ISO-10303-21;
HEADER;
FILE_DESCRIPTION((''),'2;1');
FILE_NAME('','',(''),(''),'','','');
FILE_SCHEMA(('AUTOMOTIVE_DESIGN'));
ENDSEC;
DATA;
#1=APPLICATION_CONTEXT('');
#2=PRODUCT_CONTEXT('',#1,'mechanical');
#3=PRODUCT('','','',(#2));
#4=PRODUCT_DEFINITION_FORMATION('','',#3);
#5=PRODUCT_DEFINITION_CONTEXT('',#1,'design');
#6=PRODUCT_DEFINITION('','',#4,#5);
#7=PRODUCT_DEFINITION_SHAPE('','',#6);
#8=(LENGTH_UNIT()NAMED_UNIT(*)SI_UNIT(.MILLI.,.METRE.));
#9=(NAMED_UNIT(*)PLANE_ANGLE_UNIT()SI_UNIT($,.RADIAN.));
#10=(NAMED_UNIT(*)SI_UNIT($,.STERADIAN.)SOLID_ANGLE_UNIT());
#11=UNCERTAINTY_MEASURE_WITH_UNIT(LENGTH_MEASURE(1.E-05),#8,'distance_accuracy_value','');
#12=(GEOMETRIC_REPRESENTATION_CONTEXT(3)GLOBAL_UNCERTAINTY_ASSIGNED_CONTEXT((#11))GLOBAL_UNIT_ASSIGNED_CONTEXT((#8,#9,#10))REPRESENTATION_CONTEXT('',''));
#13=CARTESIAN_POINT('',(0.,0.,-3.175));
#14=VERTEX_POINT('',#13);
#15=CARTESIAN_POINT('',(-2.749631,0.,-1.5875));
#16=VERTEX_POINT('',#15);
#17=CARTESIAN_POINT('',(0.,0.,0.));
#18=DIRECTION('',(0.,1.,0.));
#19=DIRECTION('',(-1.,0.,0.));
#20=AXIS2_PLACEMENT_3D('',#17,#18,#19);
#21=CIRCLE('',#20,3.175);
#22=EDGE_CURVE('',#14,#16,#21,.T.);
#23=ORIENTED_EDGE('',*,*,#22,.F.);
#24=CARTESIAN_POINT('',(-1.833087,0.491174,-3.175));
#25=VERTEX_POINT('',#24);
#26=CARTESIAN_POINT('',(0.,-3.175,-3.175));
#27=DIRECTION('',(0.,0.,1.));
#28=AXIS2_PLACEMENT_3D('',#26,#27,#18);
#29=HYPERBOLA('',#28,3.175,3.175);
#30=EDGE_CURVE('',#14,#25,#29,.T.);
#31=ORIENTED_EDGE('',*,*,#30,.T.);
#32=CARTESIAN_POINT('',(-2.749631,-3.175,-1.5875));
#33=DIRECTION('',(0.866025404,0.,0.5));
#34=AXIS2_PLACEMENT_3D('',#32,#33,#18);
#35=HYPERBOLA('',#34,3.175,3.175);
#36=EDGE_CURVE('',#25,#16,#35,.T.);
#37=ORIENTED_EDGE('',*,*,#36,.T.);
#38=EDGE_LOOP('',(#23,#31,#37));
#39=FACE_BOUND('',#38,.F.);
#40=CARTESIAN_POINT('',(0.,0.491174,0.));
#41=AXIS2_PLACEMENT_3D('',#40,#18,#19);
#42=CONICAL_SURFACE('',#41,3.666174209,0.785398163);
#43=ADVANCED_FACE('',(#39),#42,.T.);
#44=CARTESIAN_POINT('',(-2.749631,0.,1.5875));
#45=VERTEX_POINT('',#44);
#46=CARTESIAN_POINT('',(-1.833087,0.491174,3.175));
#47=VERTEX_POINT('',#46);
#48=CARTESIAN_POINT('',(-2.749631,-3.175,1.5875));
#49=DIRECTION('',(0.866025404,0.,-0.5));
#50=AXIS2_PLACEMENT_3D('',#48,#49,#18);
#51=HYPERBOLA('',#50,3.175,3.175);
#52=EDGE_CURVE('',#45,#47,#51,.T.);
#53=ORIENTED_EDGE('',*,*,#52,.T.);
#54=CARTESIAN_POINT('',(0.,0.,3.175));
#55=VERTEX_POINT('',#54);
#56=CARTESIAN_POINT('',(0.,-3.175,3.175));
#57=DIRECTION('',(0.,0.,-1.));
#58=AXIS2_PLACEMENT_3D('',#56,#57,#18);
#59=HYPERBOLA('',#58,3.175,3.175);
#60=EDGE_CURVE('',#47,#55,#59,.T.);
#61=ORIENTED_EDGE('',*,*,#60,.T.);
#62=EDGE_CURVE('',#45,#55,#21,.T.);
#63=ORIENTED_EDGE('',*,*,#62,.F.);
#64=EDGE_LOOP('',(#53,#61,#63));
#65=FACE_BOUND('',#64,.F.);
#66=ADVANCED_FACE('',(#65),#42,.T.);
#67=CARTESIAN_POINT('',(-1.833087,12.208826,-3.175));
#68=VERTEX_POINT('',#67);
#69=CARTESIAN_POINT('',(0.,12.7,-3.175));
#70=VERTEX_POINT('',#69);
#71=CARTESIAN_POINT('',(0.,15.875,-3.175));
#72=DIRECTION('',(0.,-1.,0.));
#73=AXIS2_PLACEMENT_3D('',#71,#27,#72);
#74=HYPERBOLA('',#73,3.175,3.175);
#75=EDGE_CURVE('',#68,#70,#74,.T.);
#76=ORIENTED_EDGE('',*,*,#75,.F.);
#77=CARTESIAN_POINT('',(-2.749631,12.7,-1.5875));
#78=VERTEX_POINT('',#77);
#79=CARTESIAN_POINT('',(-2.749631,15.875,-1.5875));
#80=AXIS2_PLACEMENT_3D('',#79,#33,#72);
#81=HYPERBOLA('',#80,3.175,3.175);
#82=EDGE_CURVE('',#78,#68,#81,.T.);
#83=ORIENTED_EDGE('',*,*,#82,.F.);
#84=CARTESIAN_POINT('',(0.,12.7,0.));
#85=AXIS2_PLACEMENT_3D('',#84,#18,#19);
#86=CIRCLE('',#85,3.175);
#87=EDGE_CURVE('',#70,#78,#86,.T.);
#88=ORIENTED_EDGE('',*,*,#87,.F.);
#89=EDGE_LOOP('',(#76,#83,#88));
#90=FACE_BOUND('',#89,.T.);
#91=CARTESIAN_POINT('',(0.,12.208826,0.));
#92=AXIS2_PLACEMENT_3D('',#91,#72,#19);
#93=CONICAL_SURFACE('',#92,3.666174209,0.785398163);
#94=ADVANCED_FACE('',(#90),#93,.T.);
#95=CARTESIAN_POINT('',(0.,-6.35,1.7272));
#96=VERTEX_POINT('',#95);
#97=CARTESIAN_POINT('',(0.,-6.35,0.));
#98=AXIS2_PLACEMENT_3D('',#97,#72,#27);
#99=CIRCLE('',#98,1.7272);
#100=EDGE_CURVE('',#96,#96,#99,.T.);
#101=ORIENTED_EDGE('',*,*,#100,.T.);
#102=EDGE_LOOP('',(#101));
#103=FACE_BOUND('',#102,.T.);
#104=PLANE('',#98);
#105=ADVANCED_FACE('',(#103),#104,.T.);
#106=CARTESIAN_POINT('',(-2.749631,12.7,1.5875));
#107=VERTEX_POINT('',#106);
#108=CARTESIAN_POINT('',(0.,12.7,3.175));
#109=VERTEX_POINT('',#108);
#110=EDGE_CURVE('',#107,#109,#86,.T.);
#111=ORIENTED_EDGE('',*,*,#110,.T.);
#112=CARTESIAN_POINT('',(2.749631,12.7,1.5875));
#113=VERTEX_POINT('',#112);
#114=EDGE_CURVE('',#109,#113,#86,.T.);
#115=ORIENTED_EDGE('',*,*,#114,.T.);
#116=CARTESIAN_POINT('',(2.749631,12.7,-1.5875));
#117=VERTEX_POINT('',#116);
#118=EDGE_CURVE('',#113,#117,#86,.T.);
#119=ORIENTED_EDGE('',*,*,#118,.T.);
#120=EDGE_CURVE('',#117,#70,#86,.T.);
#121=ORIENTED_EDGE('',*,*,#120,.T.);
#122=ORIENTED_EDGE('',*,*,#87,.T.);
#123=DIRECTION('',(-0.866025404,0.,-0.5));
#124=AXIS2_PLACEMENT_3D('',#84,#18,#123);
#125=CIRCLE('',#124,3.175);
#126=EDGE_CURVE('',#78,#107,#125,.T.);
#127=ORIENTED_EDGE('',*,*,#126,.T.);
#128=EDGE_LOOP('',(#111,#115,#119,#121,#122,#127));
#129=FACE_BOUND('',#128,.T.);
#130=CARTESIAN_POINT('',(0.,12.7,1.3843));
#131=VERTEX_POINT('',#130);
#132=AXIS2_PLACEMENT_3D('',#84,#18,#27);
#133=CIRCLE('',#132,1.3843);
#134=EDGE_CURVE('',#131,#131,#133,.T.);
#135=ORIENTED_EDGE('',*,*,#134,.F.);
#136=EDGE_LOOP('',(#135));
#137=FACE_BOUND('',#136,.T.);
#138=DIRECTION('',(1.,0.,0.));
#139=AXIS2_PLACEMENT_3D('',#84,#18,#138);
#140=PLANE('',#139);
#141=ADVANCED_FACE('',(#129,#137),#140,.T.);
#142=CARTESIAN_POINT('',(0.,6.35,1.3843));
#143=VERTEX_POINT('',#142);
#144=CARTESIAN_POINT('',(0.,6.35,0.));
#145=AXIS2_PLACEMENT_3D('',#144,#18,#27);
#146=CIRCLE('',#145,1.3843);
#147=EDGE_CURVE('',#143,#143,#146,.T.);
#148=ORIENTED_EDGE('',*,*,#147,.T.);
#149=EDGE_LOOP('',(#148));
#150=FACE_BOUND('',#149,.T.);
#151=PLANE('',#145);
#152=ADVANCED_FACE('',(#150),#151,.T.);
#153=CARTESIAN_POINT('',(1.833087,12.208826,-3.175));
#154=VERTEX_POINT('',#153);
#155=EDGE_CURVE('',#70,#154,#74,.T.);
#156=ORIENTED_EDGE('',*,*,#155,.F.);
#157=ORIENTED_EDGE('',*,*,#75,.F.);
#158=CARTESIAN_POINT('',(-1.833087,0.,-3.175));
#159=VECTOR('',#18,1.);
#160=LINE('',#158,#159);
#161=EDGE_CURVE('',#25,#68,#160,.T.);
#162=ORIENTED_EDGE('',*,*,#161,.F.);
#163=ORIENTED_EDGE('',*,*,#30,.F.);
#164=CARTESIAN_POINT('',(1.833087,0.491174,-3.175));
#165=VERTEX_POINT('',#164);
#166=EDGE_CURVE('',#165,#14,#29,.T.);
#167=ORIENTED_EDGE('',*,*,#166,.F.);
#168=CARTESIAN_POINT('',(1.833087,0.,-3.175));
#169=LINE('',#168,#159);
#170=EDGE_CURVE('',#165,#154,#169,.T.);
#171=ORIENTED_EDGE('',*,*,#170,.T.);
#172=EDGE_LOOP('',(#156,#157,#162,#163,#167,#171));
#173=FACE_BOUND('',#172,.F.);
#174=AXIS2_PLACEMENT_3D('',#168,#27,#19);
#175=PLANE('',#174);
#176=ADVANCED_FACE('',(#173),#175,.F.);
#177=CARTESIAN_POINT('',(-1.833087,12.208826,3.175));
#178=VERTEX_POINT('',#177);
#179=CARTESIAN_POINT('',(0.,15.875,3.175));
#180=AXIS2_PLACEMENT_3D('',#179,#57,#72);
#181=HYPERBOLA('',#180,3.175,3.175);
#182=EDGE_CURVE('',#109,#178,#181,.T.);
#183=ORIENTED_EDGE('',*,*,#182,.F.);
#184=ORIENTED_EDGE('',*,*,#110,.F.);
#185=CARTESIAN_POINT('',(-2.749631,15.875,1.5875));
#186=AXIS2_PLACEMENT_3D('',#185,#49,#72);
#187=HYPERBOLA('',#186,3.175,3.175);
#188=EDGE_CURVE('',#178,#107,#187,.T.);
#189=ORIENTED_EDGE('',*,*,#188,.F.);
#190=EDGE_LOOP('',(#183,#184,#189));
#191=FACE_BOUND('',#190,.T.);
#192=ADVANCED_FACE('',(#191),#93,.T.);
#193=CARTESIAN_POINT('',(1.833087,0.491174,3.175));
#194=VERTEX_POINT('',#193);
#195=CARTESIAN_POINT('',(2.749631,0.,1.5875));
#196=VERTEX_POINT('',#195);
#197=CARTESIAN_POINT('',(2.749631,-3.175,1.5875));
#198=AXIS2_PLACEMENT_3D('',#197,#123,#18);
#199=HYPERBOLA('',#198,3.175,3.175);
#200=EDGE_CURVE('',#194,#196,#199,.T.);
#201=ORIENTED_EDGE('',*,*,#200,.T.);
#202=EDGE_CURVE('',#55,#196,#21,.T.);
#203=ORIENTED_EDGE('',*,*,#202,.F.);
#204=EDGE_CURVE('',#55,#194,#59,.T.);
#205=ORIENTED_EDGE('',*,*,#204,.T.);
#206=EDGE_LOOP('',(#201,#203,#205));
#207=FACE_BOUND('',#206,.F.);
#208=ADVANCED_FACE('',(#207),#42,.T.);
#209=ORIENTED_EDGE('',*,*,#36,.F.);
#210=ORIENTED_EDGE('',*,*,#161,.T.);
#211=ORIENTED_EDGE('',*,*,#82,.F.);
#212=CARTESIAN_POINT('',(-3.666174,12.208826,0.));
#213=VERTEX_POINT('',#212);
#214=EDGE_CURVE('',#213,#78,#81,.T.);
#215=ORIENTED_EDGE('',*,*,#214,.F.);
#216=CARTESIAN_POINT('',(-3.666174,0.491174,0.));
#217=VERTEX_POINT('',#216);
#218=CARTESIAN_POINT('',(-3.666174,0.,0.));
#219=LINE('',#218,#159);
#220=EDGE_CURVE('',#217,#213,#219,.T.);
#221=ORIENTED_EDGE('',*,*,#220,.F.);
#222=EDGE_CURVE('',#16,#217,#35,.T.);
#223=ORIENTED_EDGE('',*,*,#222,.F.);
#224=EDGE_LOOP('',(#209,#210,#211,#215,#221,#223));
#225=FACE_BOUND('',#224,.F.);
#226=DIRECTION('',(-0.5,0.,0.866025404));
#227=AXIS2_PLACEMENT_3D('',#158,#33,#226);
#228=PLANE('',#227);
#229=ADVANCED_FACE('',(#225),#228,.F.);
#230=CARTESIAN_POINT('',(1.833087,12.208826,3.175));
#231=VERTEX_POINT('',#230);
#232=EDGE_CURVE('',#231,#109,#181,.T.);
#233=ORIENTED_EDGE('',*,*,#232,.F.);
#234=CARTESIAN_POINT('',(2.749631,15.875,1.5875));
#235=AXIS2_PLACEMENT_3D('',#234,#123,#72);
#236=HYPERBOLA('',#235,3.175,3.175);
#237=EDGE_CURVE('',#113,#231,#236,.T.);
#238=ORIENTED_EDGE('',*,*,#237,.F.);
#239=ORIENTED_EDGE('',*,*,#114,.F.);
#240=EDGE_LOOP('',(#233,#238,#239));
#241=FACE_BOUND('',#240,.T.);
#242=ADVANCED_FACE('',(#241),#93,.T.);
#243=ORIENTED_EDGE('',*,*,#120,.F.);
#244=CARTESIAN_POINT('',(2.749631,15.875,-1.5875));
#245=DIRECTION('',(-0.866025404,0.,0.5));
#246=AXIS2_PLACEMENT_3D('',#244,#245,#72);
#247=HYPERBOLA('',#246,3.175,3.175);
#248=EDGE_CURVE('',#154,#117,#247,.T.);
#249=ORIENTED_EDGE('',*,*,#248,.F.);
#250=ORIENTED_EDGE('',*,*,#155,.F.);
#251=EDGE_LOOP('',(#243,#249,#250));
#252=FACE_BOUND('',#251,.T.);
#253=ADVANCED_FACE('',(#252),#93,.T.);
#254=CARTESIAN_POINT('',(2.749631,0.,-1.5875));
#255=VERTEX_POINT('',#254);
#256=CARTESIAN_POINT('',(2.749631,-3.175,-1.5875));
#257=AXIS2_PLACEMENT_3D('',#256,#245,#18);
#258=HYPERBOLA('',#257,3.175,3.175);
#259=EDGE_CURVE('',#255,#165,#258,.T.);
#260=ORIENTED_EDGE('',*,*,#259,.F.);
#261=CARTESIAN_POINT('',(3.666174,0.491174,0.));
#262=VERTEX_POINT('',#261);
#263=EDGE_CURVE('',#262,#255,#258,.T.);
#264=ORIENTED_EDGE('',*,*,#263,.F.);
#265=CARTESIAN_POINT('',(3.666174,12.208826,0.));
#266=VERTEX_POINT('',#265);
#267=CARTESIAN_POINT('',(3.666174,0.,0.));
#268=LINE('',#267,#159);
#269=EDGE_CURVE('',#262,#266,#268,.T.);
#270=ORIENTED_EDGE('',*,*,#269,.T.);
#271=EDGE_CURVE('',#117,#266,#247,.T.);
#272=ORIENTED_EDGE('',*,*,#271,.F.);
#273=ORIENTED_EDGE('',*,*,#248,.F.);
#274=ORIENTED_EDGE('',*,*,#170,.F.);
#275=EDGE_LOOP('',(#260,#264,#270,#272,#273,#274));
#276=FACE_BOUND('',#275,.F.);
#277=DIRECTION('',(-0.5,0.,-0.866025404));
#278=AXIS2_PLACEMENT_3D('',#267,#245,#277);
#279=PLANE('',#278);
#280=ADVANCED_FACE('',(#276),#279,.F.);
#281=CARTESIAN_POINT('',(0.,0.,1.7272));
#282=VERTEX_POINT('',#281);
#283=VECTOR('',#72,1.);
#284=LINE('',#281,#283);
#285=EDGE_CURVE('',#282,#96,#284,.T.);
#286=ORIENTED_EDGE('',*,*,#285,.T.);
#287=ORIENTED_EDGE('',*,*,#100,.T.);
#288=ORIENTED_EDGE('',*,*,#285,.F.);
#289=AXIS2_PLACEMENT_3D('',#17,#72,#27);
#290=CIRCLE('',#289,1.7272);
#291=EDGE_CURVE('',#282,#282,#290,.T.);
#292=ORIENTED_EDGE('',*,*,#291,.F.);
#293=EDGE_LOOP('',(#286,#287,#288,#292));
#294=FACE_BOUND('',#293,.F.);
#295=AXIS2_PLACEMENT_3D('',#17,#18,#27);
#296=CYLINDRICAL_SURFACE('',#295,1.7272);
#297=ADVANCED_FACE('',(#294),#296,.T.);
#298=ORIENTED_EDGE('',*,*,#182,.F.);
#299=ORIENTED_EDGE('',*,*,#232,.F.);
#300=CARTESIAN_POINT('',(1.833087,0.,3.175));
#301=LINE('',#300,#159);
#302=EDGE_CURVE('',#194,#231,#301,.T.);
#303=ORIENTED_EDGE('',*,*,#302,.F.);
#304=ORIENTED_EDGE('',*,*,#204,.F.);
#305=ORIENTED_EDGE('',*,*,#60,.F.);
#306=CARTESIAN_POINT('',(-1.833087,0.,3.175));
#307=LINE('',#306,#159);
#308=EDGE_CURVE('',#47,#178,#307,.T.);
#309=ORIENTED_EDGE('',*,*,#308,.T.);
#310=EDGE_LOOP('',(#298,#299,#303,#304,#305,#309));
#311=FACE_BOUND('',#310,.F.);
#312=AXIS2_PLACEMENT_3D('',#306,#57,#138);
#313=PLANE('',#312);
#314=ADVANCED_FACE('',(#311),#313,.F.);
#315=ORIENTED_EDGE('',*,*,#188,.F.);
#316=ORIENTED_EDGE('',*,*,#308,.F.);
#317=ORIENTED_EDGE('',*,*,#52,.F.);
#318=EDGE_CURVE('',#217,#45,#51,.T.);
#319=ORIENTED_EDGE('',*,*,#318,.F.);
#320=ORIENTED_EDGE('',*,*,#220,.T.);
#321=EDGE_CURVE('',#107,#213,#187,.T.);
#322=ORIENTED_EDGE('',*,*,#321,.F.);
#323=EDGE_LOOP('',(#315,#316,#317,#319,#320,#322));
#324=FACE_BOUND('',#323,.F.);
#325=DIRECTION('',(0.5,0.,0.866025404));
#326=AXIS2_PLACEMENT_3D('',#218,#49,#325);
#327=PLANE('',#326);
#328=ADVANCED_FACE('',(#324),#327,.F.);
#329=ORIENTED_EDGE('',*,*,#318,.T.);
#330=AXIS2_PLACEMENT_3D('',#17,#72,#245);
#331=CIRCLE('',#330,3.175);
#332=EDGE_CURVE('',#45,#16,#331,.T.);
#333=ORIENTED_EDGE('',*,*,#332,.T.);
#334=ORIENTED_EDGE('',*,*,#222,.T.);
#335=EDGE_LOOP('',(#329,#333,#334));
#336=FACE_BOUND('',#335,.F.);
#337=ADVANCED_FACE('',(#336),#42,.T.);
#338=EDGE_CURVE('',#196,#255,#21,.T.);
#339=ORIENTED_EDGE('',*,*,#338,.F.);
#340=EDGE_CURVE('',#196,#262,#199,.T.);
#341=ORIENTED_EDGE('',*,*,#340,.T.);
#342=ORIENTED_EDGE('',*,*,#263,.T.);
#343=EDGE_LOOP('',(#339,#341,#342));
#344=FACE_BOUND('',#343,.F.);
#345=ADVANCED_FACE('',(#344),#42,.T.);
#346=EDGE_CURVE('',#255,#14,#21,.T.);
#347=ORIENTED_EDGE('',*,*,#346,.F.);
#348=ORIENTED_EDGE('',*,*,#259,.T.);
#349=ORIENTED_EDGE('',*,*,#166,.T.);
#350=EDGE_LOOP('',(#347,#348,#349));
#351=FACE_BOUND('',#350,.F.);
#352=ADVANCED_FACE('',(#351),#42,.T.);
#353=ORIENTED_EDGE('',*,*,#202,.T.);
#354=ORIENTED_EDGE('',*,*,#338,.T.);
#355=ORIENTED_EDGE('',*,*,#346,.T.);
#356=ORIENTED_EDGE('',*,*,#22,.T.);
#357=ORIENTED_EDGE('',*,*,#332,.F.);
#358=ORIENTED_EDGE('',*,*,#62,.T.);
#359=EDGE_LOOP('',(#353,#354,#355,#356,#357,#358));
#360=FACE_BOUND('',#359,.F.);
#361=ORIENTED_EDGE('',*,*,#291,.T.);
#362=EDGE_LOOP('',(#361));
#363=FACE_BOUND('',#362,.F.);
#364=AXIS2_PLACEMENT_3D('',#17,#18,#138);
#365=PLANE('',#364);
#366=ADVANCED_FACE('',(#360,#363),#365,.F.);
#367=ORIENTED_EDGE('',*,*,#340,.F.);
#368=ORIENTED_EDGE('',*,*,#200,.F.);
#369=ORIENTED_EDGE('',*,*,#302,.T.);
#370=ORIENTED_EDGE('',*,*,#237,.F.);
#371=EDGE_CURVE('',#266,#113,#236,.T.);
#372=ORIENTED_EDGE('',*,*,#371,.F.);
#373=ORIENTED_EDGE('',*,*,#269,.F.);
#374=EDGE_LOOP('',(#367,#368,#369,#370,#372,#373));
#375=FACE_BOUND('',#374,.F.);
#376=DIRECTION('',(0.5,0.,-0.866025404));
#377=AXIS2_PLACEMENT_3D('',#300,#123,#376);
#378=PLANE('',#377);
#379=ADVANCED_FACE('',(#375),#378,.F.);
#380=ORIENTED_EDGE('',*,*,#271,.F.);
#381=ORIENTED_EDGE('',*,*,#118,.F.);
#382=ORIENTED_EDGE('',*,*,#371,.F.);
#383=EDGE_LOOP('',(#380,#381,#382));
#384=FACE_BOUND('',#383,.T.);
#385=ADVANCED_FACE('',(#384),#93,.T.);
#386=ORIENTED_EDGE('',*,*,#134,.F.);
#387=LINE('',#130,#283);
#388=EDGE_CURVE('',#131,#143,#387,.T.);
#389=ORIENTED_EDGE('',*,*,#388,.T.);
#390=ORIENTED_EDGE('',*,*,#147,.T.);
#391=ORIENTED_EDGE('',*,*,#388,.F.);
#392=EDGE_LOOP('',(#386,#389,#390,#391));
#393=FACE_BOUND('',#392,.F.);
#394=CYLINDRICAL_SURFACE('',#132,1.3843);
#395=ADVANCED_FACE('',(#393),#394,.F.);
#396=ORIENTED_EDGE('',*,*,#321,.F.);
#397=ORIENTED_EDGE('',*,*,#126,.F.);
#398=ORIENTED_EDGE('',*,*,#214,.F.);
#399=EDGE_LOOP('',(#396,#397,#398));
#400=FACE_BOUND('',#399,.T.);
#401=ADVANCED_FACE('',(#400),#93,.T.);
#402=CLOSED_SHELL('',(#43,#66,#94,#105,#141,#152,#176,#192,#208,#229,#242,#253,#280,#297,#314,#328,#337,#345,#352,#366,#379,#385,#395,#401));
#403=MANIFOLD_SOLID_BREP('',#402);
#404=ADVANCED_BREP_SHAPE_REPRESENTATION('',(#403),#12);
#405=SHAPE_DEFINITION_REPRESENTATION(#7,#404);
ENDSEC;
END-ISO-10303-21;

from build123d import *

# Parameters (mm, degrees)
BOSS_EXTRUDE1_DEPTH = 12.7
SKETCH5_R           = 1.3843
CUT_EXTRUDE1_DEPTH  = 6.35
SKETCH6_R           = 1.7272
BOSS_EXTRUDE2_DEPTH = 6.35


with BuildPart() as part:
    # Sketch1 → Boss-Extrude1 (new body)
    with BuildSketch(Plane(origin=(0, 0, 0), x_dir=(1, 0, 0), z_dir=(0, 1, 0))):
        Polygon((3.666174209, 0), (1.833087105, 3.175), (-1.833087105, 3.175), (-3.666174209, 0), (-1.833087105, -3.175), (1.833087105, -3.175), align=None)
    extrude(amount=BOSS_EXTRUDE1_DEPTH)

    # Sketch2 → Cut-Revolve1 (revolve, cut)
    with BuildSketch(Plane.XY):
        Polygon((-3.666174209, 0.491174209), (-3.175, 0), (-3.666174209, 0), align=None)
        Polygon((-3.666174209, 12.7), (-3.666174209, 12.208825791), (-3.175, 12.7), align=None)
    revolve(axis=Axis((0, 0, 0), (0, 1, 0)), mode=Mode.SUBTRACT)

    # Sketch5 → Cut-Extrude1 (cut)
    with BuildSketch(Plane(origin=(0, 12.7, 0), x_dir=(1, 0, 0), z_dir=(0, 1, 0))):
        with Locations(Location((0, 0, 0), (0, 0, 270))):
            Circle(SKETCH5_R)
    extrude(amount=-CUT_EXTRUDE1_DEPTH, mode=Mode.SUBTRACT)

    # Sketch6 → Boss-Extrude2 (add)
    with BuildSketch(Plane.XZ):
        with Locations(Location((0, 0, 0), (0, 0, 90))):
            Circle(SKETCH6_R)
    extrude(amount=BOSS_EXTRUDE2_DEPTH)


solid = part.part
